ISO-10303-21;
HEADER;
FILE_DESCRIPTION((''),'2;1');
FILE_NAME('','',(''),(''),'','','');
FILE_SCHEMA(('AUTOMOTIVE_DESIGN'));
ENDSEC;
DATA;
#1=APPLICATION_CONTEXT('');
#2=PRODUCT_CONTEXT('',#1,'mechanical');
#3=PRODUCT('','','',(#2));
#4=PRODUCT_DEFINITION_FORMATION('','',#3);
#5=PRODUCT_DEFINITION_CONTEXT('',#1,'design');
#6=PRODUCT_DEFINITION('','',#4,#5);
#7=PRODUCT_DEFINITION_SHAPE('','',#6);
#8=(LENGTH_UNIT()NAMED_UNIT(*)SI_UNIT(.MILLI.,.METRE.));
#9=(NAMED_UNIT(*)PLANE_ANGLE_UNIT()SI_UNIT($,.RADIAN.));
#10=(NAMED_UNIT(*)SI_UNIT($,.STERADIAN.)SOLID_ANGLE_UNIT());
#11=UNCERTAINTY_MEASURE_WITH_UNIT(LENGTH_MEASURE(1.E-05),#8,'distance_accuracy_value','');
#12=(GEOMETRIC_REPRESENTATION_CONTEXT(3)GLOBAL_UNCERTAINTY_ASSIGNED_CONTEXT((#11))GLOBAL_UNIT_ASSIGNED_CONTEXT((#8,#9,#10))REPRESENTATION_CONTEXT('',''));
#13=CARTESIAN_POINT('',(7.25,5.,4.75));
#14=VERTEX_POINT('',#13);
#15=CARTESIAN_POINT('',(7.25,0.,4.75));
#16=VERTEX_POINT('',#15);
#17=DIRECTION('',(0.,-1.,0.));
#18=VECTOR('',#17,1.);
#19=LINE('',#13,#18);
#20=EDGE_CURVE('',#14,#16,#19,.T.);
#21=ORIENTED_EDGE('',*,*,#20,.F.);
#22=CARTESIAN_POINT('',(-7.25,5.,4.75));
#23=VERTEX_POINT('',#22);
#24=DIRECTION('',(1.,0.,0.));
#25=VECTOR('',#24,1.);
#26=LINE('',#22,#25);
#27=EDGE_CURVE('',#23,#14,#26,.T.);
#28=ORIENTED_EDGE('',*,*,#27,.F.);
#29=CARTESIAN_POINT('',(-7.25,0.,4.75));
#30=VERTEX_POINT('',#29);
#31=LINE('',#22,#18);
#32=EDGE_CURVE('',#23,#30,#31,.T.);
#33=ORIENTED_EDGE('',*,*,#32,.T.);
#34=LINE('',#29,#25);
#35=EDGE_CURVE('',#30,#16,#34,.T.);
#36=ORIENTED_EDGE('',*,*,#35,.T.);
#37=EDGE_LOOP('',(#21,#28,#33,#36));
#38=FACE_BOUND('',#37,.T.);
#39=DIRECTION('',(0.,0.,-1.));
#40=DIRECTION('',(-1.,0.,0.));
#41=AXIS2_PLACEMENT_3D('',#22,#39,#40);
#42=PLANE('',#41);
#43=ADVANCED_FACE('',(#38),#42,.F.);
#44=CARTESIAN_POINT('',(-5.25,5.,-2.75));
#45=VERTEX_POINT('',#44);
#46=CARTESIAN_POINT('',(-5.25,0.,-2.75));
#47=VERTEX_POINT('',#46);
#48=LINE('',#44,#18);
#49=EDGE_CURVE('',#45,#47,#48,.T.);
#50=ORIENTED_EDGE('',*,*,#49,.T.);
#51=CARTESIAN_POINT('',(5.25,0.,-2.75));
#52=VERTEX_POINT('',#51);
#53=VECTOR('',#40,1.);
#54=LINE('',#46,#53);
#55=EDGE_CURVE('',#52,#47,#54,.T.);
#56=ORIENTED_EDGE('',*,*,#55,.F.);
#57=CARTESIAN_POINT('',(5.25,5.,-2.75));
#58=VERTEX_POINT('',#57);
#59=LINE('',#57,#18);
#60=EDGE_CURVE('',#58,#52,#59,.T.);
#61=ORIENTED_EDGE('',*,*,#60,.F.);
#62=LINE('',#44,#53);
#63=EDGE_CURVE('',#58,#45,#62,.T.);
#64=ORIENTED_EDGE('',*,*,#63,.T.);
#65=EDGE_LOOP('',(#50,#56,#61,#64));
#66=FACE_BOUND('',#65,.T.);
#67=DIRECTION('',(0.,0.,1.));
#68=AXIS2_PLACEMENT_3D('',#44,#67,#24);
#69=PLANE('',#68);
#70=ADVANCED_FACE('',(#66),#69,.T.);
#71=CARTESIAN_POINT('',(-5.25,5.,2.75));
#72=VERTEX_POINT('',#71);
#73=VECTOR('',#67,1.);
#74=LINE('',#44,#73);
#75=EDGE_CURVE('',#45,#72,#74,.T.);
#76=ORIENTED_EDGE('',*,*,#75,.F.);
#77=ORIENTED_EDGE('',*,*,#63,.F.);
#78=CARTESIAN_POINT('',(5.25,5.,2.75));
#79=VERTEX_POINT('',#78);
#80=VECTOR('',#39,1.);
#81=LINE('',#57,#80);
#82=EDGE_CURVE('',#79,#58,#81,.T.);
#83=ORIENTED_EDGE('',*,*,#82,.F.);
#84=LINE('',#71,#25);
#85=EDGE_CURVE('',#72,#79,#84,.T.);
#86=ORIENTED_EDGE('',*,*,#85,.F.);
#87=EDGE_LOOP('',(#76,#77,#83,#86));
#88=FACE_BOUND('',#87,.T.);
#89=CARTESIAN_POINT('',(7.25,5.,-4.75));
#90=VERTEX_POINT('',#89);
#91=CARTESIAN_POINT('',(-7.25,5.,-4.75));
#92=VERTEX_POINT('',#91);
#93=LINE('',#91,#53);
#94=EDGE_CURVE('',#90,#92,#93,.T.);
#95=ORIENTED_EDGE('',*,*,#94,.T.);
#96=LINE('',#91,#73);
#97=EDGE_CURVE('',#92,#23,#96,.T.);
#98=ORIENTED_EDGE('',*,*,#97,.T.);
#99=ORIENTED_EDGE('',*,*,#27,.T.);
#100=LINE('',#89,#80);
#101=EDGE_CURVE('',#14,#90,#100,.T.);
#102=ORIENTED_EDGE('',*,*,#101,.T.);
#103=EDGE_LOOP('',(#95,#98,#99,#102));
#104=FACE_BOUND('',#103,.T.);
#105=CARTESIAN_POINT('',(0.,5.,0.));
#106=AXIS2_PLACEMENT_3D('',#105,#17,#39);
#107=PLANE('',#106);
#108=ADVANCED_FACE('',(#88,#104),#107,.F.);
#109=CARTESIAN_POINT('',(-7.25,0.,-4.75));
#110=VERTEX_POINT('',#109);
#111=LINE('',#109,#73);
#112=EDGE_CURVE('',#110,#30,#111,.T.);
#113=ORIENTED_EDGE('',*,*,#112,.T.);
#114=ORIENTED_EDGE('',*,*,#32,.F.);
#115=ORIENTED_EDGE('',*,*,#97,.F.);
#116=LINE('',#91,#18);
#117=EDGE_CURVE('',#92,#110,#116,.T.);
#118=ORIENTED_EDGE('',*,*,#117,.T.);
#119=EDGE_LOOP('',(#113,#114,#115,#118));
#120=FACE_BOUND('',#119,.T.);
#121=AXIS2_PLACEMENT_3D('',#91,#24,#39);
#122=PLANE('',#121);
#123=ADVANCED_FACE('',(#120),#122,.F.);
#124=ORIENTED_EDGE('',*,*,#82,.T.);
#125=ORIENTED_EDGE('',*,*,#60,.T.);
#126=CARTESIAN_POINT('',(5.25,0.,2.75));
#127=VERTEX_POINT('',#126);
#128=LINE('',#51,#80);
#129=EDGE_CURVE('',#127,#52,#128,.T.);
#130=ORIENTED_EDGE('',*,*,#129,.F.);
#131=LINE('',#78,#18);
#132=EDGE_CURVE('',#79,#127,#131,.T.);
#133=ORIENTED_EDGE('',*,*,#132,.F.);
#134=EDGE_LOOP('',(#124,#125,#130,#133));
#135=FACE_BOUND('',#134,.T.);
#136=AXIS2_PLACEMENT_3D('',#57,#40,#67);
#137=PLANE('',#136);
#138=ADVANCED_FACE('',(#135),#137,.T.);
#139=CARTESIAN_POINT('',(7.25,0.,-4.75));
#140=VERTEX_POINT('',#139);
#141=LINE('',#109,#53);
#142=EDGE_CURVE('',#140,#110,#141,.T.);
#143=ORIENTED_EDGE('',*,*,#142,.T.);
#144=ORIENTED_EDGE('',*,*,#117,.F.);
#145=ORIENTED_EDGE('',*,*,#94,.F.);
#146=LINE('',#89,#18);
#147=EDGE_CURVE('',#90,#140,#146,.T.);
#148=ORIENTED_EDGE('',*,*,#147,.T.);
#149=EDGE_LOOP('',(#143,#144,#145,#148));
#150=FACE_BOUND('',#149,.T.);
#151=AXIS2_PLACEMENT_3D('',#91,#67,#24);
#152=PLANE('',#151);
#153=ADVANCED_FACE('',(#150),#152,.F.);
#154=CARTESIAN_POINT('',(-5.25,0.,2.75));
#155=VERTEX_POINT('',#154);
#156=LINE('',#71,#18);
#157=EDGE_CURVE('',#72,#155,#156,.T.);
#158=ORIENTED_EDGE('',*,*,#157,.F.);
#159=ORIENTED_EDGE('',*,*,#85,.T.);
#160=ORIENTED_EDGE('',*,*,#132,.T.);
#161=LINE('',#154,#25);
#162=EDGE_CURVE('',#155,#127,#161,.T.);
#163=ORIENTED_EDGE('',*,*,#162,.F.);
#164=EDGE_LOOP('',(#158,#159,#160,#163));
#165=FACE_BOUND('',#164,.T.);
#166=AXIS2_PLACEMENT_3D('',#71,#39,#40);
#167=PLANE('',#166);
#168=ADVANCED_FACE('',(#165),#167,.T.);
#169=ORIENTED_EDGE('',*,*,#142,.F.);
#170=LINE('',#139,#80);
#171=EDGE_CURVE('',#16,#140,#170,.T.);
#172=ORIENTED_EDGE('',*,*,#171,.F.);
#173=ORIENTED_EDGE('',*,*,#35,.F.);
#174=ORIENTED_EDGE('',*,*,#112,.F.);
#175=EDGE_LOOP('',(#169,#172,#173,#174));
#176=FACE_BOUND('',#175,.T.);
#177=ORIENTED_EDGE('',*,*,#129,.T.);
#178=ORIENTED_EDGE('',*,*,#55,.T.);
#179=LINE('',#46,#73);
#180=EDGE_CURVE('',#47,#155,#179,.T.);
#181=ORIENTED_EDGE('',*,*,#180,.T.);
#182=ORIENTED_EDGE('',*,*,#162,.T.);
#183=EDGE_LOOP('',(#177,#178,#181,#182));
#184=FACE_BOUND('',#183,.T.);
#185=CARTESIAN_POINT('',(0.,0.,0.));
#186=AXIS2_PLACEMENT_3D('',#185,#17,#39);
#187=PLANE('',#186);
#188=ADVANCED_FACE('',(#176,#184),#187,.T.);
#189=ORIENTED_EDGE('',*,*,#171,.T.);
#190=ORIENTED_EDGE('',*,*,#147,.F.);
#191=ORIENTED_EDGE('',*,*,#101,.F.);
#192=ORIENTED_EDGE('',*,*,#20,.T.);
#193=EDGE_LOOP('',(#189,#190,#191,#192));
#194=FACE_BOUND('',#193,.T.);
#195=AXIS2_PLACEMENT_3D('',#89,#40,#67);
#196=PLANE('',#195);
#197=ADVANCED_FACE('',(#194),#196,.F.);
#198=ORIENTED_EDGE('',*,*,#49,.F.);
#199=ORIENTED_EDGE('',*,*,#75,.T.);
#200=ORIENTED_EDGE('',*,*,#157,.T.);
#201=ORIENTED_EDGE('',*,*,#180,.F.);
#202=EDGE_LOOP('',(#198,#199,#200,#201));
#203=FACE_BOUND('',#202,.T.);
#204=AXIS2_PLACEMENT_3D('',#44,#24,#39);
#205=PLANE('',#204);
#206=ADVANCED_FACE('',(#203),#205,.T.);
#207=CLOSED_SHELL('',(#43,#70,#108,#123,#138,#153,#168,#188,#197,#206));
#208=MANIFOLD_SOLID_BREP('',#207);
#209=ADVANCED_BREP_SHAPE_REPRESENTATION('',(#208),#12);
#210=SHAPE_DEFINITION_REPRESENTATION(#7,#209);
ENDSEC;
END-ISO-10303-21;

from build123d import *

# Parameters (mm, degrees)
SKETCH1_W           = 14.5
SKETCH1_H           = 9.5
SKETCH1_W_2         = 10.5
SKETCH1_H_2         = 5.5
BOSS_EXTRUDE1_DEPTH = 5


with BuildPart() as part:
    # Sketch1 → Boss-Extrude1 (new body)
    with BuildSketch(Plane(origin=(0, 0, 0), x_dir=(1, 0, 0), z_dir=(0, 1, 0))):
        Rectangle(SKETCH1_W, SKETCH1_H)
        Rectangle(SKETCH1_W_2, SKETCH1_H_2, mode=Mode.SUBTRACT)
    extrude(amount=BOSS_EXTRUDE1_DEPTH)


solid = part.part
